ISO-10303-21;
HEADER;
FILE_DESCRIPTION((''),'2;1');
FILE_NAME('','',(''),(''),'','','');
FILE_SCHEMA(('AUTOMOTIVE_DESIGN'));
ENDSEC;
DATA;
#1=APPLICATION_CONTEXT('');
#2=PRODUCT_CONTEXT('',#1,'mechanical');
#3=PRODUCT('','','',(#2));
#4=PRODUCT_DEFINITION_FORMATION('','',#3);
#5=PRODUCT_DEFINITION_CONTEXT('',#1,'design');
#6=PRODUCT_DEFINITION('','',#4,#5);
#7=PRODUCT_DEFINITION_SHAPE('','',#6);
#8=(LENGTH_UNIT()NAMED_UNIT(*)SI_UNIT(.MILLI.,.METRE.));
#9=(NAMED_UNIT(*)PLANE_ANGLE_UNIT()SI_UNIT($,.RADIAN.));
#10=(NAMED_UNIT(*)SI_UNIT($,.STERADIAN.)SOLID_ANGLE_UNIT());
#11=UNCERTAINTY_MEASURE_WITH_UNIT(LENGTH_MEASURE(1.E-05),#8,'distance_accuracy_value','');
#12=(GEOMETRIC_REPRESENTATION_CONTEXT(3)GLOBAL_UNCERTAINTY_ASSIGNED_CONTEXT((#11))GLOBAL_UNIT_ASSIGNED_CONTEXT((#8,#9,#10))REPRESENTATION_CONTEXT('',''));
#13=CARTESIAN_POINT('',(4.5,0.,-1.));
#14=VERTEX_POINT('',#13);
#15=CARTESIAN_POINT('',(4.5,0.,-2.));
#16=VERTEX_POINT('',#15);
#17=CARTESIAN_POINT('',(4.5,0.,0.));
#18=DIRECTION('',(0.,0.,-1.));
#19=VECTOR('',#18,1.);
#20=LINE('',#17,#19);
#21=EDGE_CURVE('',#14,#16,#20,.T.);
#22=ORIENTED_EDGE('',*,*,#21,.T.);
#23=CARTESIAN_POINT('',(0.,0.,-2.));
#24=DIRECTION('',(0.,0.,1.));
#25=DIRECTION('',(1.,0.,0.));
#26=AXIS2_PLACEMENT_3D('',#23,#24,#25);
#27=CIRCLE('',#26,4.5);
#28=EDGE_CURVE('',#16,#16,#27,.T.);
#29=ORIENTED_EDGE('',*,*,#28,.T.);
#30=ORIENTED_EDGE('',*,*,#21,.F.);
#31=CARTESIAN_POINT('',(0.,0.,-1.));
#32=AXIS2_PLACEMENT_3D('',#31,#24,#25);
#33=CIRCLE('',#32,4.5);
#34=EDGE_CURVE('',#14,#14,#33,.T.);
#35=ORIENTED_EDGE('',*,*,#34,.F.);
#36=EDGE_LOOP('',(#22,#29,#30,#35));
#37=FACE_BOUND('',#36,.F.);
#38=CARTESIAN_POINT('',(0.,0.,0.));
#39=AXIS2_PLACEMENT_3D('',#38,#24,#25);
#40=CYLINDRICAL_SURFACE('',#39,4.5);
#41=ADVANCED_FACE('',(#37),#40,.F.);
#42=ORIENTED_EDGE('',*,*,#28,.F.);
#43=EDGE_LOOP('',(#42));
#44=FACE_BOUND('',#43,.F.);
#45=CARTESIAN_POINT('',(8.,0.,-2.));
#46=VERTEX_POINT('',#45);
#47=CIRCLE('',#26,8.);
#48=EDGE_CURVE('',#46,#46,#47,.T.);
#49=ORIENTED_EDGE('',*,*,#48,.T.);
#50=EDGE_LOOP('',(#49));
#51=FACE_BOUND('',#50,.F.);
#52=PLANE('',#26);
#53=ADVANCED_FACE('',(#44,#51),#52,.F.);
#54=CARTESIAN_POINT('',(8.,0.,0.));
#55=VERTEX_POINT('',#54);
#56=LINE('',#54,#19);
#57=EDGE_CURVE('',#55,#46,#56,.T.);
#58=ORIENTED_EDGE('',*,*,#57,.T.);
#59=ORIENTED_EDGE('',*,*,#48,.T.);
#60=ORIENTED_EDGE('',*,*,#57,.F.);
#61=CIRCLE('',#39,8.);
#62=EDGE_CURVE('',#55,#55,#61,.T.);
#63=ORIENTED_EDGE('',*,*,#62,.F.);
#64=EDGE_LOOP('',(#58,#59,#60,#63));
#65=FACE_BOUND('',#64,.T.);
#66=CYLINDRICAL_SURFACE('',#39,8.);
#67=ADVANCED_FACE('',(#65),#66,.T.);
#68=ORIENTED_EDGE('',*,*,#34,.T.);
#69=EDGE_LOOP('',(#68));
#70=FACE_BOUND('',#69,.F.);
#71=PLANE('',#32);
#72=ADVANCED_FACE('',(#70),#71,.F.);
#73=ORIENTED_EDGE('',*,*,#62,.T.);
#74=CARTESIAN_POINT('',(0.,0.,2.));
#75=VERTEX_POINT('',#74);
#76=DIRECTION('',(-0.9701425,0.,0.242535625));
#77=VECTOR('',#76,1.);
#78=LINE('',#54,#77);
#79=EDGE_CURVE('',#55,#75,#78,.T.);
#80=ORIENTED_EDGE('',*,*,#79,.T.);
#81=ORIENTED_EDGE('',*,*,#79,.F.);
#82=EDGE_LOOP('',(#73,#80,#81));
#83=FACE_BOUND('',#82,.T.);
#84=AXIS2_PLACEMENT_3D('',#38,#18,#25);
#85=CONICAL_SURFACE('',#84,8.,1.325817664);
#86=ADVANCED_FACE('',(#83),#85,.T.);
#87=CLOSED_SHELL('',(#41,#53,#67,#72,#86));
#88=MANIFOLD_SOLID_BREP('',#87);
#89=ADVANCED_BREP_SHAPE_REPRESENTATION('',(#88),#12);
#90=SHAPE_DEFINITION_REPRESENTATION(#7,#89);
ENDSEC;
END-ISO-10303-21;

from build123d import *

# Parameters (mm, degrees)
F0_R     = 8
F0_R_2   = 4.5
F2_DEPTH = 2
F3_DEPTH = 1


with BuildPart() as f2:
    # F0 (on Top) → F2 (new body)
    with BuildSketch(Plane.XY):
        Circle(F0_R)
        Circle(F0_R_2, mode=Mode.SUBTRACT)
    extrude(amount=-F2_DEPTH)

    # F0 (on Top) → F3 (join)
    with BuildSketch(Plane.XY):
        Circle(F0_R_2)
    extrude(amount=-F3_DEPTH)

    # F1 (on Front) → F4 (revolve)
    with BuildSketch(Plane.XZ):
        Polygon((0, 2), (0, 0), (8, 0), align=None)
    revolve(axis=Axis((0, 0, 1), (0, 0, 1)))


solid = f2.part
